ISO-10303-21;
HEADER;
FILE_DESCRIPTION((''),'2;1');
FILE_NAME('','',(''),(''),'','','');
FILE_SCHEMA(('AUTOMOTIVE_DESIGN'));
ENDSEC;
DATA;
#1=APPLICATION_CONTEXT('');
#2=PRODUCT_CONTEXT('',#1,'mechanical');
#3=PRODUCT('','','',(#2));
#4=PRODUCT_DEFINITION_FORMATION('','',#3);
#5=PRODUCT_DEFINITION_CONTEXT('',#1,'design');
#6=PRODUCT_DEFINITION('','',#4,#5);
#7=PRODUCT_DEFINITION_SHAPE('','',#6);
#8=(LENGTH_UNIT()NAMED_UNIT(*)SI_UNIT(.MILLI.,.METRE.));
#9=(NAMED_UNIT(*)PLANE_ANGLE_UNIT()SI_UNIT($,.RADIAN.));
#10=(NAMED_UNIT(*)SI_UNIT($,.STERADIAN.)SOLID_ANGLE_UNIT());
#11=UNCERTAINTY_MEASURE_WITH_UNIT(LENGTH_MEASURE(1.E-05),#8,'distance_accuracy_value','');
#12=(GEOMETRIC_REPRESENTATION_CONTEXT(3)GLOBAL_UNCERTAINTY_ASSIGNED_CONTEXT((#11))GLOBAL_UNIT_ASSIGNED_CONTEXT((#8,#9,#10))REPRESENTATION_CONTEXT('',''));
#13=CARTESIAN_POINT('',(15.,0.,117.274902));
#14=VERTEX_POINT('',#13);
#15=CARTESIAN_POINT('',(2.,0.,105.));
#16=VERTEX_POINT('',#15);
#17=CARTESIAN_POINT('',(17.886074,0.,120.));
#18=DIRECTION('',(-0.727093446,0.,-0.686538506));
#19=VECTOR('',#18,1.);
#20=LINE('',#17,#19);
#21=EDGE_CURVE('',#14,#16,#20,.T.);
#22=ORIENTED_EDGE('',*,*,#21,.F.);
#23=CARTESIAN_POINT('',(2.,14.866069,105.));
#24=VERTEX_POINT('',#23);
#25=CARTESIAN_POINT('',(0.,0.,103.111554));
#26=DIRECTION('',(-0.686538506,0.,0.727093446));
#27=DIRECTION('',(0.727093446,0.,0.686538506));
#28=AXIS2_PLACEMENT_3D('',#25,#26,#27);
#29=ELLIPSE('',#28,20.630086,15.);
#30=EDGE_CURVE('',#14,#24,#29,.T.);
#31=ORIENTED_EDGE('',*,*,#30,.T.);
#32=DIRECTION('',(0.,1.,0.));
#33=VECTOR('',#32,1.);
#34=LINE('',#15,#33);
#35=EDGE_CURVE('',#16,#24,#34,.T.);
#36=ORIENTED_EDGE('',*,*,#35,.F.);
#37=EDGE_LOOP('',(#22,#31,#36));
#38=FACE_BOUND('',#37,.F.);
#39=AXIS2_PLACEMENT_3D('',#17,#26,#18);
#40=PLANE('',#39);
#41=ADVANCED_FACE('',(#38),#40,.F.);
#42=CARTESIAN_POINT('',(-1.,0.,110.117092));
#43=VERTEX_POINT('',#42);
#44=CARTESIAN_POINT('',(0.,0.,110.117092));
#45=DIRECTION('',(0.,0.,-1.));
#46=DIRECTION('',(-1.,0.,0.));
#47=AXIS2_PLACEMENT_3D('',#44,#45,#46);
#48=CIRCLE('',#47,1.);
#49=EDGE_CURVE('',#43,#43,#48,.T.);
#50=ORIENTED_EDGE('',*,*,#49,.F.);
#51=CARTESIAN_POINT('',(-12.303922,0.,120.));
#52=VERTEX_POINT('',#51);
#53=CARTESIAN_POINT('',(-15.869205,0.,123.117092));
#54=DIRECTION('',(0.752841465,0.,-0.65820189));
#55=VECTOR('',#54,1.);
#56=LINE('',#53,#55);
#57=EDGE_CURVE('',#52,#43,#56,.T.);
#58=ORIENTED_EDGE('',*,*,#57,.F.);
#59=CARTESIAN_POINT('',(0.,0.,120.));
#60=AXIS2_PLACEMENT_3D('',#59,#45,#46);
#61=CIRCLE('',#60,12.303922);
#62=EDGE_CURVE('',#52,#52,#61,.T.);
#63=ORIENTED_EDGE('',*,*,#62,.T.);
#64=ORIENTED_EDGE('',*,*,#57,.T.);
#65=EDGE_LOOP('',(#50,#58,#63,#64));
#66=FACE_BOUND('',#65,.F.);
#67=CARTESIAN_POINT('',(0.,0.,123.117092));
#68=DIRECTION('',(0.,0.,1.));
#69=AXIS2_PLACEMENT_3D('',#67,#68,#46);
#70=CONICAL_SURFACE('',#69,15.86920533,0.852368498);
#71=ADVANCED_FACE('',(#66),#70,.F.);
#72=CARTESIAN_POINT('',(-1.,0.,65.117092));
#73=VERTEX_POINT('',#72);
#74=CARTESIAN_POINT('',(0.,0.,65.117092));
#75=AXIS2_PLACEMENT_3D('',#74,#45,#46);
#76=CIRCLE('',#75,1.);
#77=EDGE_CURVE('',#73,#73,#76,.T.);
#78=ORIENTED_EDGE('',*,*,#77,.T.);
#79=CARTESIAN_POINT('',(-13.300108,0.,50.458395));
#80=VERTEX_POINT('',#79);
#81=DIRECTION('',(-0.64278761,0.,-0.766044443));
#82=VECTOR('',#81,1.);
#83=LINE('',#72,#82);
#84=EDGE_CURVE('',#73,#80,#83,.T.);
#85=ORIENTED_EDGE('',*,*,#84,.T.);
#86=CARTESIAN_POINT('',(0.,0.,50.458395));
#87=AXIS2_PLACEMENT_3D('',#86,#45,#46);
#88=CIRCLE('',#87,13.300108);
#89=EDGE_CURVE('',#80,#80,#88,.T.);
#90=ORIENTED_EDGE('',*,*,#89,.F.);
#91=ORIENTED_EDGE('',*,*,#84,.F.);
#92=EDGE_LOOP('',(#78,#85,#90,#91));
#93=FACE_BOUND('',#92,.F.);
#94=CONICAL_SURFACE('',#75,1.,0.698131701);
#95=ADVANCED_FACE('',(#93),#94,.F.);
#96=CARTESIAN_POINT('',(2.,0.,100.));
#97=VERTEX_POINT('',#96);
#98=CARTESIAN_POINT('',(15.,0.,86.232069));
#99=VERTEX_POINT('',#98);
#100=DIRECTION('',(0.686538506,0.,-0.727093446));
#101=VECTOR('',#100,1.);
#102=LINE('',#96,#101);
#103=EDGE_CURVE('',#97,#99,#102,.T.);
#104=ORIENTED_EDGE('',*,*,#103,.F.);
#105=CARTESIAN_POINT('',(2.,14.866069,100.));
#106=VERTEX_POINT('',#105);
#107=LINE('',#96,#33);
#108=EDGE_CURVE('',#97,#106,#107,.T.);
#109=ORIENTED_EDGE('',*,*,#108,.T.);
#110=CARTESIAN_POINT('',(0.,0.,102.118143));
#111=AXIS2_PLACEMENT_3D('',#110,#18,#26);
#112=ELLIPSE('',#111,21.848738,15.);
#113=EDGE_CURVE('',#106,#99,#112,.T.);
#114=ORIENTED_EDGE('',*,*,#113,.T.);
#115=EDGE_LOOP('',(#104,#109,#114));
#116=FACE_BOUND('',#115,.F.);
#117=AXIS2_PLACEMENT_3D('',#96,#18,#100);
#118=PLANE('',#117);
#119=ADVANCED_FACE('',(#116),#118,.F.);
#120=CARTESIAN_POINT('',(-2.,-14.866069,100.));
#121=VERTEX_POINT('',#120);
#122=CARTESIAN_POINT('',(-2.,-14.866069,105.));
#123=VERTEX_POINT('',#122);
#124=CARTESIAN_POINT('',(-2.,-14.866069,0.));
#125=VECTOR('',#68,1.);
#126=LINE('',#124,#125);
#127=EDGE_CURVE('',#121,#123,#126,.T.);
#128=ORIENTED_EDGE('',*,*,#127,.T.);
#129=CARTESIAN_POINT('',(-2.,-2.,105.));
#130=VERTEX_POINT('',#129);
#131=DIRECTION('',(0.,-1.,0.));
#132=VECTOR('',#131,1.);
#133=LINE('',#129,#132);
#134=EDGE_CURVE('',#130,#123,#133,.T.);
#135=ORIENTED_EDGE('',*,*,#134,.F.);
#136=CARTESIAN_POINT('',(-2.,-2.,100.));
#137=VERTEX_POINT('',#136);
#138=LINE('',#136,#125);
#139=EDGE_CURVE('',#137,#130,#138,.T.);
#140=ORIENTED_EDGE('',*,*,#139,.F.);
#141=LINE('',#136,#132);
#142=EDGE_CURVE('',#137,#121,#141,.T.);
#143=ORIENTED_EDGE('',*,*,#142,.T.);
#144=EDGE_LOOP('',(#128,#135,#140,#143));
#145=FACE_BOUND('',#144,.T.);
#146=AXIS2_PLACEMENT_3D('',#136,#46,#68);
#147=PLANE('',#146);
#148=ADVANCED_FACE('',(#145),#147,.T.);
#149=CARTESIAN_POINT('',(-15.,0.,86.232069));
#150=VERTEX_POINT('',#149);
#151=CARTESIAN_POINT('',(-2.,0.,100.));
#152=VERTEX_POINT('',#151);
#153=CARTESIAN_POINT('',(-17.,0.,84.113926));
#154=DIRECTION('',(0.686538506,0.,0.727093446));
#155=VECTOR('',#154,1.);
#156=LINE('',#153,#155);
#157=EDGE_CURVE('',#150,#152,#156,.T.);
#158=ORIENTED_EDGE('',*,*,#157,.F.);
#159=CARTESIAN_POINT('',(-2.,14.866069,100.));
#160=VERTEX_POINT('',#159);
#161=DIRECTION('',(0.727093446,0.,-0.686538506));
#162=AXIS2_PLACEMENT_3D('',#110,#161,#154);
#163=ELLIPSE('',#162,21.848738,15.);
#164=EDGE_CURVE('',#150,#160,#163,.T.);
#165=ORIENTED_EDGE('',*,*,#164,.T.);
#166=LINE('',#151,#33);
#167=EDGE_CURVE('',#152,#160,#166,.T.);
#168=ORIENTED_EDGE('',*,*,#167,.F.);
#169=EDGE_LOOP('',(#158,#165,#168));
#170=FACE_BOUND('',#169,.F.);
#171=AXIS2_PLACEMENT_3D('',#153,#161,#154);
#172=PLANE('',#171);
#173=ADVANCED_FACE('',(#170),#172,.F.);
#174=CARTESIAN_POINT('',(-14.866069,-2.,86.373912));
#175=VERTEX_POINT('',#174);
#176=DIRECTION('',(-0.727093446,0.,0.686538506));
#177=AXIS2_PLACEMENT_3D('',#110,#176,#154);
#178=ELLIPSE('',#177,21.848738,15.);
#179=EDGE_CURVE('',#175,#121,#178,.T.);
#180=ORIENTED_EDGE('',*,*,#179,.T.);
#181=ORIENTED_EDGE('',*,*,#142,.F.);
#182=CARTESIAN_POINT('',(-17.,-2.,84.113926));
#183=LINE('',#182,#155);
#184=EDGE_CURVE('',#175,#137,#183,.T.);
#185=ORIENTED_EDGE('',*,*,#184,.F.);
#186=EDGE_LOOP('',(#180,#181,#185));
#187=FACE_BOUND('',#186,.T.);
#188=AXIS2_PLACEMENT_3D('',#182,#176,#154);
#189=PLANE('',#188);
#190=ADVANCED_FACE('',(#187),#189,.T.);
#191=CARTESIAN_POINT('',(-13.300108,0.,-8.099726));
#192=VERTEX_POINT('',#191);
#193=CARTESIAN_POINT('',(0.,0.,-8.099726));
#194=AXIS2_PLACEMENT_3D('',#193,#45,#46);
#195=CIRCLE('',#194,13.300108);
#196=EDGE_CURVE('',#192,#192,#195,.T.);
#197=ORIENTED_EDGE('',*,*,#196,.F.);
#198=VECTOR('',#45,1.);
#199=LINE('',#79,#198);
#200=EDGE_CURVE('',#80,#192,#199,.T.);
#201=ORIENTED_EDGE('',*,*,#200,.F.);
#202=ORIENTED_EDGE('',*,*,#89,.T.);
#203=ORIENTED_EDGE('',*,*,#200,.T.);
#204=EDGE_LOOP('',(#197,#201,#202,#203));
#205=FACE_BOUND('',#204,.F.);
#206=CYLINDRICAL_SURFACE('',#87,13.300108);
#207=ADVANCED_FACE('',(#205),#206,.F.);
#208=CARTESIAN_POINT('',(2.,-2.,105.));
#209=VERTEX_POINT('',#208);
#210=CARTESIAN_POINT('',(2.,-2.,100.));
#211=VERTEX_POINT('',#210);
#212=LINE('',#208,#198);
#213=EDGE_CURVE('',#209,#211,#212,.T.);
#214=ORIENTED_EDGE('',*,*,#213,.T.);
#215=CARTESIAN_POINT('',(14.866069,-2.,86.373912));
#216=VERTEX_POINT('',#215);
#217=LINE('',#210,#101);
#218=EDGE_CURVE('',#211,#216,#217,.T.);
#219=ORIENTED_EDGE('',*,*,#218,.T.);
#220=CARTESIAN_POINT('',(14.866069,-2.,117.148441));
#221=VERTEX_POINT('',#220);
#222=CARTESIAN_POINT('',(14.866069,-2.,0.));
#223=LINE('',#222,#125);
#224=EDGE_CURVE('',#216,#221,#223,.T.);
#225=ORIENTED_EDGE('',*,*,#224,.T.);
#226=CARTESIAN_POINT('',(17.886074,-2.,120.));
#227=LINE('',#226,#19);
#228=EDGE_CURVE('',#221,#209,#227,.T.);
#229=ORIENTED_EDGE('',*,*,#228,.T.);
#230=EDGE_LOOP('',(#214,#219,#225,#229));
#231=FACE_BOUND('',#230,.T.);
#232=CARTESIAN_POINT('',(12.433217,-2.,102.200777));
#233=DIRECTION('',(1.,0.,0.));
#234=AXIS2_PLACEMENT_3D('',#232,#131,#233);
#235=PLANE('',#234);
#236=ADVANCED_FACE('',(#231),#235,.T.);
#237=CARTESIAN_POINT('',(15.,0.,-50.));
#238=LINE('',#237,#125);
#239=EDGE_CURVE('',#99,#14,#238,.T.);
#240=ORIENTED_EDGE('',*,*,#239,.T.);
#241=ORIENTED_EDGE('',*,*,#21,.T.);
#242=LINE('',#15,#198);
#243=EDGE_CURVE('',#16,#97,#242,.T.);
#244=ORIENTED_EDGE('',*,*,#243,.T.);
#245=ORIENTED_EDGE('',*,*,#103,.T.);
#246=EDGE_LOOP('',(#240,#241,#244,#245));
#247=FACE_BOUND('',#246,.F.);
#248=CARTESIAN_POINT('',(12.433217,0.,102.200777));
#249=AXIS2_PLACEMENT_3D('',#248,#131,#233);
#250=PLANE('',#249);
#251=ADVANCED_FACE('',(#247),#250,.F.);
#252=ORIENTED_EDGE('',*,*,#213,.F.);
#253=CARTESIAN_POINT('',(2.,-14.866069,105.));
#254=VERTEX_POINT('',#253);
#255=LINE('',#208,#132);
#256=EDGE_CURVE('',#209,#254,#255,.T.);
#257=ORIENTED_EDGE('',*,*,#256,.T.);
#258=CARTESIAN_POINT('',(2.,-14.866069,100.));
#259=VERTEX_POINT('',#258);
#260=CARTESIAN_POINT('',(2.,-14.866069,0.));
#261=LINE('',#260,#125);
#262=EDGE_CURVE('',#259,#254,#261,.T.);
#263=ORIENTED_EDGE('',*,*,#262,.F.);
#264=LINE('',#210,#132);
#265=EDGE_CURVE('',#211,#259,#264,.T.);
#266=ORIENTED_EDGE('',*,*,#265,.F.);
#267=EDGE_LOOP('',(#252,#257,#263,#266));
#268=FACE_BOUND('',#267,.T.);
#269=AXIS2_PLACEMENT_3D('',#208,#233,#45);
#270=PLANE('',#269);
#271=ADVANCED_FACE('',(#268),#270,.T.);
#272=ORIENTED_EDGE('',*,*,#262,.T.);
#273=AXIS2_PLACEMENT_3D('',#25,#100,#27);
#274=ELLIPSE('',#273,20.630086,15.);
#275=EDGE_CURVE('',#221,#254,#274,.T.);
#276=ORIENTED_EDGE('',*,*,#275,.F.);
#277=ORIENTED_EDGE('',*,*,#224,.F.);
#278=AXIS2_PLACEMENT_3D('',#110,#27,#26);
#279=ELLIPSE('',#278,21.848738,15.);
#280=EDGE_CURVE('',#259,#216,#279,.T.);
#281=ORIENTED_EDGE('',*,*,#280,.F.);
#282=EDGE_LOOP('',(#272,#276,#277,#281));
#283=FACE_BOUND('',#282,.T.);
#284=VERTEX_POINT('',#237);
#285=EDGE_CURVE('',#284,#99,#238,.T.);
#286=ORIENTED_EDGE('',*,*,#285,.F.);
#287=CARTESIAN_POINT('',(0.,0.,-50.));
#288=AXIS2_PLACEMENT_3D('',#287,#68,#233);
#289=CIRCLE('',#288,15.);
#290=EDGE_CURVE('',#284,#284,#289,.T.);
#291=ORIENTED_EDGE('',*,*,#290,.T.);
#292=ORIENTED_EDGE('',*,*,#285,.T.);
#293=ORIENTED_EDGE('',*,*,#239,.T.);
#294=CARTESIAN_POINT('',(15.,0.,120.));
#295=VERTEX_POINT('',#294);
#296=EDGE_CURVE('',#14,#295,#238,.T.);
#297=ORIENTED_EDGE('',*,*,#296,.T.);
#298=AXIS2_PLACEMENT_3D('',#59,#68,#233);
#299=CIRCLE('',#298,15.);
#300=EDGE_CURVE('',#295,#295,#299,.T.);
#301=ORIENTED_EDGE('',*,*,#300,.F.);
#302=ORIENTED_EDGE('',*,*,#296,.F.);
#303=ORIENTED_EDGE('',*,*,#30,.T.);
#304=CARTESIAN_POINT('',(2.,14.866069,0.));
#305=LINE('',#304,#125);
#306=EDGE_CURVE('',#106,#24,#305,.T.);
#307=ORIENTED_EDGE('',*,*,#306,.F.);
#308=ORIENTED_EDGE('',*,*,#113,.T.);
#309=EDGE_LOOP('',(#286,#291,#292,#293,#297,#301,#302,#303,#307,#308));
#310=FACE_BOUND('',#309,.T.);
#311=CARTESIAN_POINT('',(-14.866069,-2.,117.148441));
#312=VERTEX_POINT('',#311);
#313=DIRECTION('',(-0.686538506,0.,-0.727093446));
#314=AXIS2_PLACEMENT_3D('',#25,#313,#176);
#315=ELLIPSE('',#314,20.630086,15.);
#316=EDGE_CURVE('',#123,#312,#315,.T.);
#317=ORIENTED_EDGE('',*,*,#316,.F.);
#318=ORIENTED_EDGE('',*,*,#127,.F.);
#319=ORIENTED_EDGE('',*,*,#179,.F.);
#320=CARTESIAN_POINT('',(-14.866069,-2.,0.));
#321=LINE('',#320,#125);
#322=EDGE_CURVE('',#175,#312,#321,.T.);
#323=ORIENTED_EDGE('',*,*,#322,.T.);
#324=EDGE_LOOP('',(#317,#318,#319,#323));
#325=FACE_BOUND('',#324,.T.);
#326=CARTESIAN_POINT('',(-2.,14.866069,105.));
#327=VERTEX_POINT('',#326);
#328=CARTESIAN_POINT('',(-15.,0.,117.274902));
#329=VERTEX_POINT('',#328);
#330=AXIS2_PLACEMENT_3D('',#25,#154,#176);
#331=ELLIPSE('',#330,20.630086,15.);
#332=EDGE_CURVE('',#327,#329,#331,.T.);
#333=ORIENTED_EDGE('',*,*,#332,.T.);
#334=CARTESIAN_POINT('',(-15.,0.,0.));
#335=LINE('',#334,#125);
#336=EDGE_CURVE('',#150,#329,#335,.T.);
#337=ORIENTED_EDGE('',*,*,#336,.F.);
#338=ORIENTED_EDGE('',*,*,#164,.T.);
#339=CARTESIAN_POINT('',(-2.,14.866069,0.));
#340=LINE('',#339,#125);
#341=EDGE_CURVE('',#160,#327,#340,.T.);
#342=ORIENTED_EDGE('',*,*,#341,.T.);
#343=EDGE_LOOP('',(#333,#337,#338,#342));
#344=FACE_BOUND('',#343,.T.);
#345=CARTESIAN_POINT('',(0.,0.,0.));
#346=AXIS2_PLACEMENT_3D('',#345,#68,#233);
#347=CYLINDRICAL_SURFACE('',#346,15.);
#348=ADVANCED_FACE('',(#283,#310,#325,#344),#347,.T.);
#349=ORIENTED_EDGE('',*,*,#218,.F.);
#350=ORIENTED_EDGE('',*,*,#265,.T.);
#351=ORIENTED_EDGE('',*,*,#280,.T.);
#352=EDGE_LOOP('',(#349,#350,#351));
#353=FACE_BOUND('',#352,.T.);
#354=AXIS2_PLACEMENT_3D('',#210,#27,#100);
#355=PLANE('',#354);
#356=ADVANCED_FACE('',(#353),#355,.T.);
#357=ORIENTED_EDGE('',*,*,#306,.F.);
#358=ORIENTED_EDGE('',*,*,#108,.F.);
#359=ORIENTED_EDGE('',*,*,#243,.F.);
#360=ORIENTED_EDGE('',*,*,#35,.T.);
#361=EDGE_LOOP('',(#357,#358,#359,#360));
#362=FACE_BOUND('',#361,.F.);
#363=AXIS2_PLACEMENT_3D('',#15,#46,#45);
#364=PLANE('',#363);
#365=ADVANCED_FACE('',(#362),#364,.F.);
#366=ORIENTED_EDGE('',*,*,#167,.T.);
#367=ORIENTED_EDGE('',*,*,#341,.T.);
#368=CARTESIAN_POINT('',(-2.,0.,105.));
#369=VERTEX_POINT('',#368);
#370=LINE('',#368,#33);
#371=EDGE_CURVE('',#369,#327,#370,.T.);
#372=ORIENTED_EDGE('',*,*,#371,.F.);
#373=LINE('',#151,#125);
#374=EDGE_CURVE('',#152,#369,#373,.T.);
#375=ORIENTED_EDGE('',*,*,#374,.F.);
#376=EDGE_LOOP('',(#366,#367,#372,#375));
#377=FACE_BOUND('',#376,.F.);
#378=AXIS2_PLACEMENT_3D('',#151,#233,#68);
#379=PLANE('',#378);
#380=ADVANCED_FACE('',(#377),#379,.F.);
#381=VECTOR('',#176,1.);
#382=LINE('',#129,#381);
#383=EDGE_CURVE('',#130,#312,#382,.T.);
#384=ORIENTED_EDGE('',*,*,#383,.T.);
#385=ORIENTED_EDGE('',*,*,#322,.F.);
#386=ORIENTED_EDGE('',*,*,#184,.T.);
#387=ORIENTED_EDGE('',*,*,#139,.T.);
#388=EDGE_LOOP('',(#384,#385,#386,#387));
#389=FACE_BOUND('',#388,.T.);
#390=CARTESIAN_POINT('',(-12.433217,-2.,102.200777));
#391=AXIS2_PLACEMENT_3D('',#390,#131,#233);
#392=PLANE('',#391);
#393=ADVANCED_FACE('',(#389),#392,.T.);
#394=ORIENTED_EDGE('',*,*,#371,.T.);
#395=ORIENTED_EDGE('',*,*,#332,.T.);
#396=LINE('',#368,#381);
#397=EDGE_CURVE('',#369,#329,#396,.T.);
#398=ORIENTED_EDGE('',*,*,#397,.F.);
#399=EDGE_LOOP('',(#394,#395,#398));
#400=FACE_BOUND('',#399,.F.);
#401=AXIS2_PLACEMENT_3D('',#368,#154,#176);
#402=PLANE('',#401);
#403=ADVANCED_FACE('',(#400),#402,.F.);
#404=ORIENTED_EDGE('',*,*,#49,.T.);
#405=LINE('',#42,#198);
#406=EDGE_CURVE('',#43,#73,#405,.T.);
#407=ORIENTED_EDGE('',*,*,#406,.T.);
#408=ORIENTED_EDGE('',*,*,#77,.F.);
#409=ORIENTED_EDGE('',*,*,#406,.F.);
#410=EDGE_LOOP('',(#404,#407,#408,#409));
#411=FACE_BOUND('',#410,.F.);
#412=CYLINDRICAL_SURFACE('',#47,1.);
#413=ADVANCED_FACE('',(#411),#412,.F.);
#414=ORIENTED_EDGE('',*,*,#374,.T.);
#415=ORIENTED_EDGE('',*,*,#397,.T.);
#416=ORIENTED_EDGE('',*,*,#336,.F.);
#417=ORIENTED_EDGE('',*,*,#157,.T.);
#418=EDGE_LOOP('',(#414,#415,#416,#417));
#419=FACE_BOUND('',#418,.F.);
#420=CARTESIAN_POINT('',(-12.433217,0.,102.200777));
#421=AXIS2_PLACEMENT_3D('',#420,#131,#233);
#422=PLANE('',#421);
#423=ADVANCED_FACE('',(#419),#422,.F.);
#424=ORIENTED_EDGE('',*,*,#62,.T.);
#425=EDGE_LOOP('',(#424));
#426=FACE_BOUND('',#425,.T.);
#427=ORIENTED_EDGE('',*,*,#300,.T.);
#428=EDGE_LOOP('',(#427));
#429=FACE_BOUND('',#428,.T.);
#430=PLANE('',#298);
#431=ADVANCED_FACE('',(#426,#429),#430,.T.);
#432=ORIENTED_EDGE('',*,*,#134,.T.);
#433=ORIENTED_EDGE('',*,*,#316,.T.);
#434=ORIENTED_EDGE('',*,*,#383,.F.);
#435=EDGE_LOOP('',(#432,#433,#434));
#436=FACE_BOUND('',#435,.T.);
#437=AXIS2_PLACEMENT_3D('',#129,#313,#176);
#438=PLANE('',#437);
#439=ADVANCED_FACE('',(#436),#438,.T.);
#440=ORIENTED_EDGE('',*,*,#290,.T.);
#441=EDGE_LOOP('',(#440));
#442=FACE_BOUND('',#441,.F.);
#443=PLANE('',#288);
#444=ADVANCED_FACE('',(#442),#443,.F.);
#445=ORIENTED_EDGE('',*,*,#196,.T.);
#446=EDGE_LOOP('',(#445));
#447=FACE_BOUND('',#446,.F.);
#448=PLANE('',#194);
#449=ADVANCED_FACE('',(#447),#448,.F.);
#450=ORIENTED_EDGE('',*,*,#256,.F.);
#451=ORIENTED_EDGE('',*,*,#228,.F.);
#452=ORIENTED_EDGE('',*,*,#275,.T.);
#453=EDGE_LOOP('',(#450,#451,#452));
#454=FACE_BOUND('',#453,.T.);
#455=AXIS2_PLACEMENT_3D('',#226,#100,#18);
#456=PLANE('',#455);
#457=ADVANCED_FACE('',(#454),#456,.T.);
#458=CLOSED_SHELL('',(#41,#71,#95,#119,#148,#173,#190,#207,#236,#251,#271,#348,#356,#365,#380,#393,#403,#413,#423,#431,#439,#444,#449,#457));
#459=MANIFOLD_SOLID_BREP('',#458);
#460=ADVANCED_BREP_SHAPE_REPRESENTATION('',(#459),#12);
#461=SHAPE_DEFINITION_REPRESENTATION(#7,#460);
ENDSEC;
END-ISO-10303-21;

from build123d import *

# Parameters (mm, degrees)
F0_R          = 15
F1_DEPTH      = 120
F1_DEPTH_BACK = 50
F3_START      = 2
F3_DEPTH      = 23
F4_DEPTH      = 25


with BuildPart() as f1:
    # F0 (on Top) → F1 (new body, two sides)
    with BuildSketch(Plane.XY) as f1_sk:
        Circle(F0_R)
    extrude(amount=F1_DEPTH)
    extrude(f1_sk.sketch, amount=-F1_DEPTH_BACK)

    # F2 (on Front) → F3 (cut)
    with BuildSketch(Plane.XZ.offset(F3_START)):
        Polygon((-17.8860742599, 120), (-17, 105), (-17, 84.1139257401), (-2, 100), (-2, 105), align=None)
        Polygon((-17, 70), (-17, 84.1139257401), (-17.8860742599, 83.1755096406), align=None)
        Polygon((2, 100), (17, 84.1139257401), (17, 105), (17.8860742599, 120), (2, 105), align=None)
        Polygon((17, 70), (17.8860742599, 83.1755096406), (17, 84.1139257401), align=None)
    extrude(amount=F3_DEPTH, mode=Mode.SUBTRACT)

    # F2 (on Front) → F4 (cut)
    with BuildSketch(Plane.XZ):
        Polygon((-17.8860742599, 120), (-17, 105), (-17, 84.1139257401), (-2, 100), (-2, 105), align=None)
        Polygon((-17, 70), (-17, 84.1139257401), (-17.8860742599, 83.1755096406), align=None)
        Polygon((2, 100), (17, 84.1139257401), (17, 105), (17.8860742599, 120), (2, 105), align=None)
        Polygon((17, 70), (17.8860742599, 83.1755096406), (17, 84.1139257401), align=None)
    extrude(amount=-F4_DEPTH, mode=Mode.SUBTRACT)

    # F5 (on Front) → F6 (revolve, cut)
    with BuildSketch(Plane.XZ):
        Polygon((0, 123.1170922147), (-15.8692053304, 123.1170922147), (-1, 110.1170922147), (-1, 65.1170922147), (-13.300107735, 50.4583946322), (-13.300107735, -8.0997264013), (0, -8.0997264013), (0, 65.1170922147), (0, 110.1170922147), align=None)
    revolve(axis=Axis((0, 0, 116.6170922147), (0, 0, -1)), mode=Mode.SUBTRACT)


solid = f1.part
